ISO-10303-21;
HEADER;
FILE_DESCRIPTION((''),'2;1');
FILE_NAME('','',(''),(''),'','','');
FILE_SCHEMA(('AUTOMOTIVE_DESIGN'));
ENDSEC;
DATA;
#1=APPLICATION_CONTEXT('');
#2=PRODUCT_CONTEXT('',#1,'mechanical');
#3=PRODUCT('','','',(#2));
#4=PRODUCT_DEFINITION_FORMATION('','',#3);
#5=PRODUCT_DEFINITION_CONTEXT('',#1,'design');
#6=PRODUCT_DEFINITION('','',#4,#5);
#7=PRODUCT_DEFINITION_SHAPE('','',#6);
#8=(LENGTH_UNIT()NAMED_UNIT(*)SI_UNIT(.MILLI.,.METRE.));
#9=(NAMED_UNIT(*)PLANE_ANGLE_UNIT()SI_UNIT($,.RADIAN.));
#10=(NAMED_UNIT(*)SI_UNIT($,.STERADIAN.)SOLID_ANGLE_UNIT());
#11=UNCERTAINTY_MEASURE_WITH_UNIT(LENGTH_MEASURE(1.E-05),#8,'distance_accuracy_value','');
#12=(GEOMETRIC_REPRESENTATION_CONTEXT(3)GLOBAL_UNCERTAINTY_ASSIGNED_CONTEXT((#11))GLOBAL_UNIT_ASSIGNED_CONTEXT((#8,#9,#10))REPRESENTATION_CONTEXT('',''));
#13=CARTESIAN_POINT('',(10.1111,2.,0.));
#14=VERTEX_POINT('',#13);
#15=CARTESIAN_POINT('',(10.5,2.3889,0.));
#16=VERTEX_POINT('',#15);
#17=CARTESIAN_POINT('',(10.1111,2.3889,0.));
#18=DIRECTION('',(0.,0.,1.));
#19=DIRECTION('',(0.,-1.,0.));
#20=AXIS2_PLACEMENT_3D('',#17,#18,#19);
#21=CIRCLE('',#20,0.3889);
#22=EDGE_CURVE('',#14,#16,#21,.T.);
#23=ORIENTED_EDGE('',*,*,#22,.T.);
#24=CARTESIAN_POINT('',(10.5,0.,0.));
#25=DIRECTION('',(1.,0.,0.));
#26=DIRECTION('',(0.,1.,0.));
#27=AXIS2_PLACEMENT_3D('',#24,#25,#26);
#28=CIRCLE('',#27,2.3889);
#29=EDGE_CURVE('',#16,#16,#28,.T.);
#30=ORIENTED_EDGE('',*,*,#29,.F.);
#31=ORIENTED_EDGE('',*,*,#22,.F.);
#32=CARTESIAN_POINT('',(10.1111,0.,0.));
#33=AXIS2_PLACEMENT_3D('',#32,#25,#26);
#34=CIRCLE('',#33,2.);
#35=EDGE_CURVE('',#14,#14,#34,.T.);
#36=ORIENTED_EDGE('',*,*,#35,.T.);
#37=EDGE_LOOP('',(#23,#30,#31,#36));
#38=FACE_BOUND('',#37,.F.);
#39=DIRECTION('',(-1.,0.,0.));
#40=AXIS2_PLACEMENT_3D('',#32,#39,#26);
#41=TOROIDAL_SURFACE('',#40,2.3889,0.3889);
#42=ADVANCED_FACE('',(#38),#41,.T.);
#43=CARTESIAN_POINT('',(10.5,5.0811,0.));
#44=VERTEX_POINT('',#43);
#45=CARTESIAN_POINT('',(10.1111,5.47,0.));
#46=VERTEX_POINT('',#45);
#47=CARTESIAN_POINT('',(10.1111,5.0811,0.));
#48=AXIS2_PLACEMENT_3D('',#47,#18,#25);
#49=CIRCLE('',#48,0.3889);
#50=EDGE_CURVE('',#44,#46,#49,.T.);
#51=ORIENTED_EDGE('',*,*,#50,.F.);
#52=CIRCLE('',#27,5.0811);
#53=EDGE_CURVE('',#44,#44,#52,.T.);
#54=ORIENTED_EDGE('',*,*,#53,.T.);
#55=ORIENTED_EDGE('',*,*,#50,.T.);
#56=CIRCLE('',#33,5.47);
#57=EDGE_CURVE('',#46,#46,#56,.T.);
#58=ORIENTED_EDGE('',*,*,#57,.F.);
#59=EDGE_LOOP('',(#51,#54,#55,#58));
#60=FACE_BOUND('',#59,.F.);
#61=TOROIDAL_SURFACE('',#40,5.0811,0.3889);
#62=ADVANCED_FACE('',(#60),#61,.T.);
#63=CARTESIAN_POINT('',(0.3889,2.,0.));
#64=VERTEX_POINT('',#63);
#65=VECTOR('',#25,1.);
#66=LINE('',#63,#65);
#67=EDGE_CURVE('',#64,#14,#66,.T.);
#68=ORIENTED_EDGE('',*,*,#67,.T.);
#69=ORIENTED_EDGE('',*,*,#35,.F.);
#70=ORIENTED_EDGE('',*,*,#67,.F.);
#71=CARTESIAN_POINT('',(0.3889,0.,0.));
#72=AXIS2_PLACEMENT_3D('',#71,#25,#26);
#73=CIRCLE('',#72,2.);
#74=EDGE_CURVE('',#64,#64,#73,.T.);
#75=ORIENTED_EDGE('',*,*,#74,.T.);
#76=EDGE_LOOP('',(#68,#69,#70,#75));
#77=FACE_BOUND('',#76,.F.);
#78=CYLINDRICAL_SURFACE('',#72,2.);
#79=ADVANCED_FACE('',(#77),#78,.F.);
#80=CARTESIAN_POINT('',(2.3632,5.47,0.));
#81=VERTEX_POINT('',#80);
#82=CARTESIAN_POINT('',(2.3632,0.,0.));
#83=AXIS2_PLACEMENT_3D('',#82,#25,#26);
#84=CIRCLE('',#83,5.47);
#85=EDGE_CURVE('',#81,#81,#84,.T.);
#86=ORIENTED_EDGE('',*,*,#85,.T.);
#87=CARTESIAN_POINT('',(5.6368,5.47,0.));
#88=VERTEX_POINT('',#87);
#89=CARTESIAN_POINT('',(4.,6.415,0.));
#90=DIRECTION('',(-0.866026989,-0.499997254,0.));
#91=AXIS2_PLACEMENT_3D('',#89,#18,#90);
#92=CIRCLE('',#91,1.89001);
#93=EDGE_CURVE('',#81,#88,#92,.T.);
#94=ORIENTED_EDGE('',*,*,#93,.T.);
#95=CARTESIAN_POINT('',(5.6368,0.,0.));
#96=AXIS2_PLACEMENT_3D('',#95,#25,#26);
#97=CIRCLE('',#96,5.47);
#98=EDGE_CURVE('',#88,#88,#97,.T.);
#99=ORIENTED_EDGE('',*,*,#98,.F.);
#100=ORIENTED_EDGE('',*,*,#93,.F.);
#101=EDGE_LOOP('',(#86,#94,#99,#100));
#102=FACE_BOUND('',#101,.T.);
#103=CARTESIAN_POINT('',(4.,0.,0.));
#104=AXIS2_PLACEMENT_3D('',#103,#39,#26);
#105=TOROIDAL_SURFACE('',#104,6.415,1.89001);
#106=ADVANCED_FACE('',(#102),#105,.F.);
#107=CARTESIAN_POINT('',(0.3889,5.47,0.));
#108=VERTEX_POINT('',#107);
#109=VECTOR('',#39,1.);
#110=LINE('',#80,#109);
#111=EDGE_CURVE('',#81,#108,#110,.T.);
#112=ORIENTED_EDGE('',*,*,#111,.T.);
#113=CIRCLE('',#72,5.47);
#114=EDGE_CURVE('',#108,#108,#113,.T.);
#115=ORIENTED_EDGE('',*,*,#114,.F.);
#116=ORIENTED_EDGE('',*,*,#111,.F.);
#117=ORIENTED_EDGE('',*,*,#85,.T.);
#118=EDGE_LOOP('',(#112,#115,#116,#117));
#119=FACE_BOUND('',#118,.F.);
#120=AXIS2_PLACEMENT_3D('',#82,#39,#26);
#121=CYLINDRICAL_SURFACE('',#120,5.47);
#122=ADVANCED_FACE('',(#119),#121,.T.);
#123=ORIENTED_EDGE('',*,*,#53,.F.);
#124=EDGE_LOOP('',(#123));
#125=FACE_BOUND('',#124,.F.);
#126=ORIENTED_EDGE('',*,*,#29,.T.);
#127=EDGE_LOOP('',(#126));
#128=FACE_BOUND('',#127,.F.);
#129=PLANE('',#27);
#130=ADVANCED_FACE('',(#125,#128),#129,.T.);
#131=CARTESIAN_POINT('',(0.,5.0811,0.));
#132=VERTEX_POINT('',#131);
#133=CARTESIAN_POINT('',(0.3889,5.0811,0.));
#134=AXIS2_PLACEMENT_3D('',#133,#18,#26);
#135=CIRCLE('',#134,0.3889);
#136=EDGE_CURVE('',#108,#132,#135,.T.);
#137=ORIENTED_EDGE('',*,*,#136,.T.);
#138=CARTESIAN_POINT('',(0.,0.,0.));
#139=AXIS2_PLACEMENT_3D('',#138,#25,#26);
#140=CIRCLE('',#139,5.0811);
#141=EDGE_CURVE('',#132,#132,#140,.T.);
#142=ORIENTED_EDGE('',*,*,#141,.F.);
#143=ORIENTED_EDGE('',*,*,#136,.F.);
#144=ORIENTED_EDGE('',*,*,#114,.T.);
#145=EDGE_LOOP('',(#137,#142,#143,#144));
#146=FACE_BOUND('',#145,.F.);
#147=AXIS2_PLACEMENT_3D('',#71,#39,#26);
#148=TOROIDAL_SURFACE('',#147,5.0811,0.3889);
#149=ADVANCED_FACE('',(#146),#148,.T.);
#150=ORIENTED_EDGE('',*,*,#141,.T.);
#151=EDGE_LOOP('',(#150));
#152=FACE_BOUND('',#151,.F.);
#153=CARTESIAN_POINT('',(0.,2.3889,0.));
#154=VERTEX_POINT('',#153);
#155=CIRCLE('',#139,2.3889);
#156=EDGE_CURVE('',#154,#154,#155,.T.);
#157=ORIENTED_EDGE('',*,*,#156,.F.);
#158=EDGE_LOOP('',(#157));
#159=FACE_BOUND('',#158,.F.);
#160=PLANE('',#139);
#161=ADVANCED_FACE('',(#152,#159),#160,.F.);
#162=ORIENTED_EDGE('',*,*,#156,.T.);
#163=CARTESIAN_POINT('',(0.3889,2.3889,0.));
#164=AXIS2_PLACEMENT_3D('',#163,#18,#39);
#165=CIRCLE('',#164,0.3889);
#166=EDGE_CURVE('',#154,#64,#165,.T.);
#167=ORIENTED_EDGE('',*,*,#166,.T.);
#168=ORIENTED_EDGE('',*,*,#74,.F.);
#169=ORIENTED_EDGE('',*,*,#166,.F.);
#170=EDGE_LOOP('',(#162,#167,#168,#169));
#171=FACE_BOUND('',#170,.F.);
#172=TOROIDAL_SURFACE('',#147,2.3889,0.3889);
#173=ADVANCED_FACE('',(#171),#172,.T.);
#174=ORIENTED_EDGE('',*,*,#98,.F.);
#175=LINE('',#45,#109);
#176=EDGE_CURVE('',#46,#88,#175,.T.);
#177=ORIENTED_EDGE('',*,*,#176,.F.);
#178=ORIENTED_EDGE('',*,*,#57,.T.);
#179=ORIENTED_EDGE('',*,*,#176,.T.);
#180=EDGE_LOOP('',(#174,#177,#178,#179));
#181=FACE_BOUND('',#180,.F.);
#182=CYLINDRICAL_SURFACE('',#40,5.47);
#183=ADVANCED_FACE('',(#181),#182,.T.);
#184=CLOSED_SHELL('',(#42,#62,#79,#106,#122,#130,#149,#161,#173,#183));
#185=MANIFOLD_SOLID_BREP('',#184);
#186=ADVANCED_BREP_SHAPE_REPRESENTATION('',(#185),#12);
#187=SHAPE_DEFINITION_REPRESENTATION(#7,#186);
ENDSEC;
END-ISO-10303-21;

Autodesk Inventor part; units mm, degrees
sketch "Sketch_4" plane through (0, 0, 0) normal (0, 0, 1) x (1, 0, 0)
  line L0 (10.5, 0) -> (0, 0)
  arc A0 (0, 2.3889) -> (0.3889, 2) centre (0.3889, 2.3889) ccw
  line L1 (0.3889, 2) -> (10.1111, 2)
  arc A1 (10.1111, 2) -> (10.5, 2.3889) centre (10.1111, 2.3889) ccw
  line L2 (10.5, 2.3889) -> (10.5, 5.0811)
  arc A2 (10.5, 5.0811) -> (10.1111, 5.47) centre (10.1111, 5.0811) ccw
  line L3 (10.1111, 5.47) -> (5.6368, 5.47)
  arc A3 (2.3632, 5.47) -> (5.6368, 5.47) centre (4, 6.415) ccw
  line L4 (2.3632, 5.47) -> (0.3889, 5.47)
  arc A4 (0.3889, 5.47) -> (0, 5.0811) centre (0.3889, 5.0811) ccw
  line L5 (0, 5.0811) -> (0, 2.3889)
revolve "Revolution1" add sketch "Sketch_4" angle 360 about axis through (10.5, 0, 0) along (1, 0, 0)
ref_plane "Dummy_IR_XY" through (0, 0, 0) normal (1, 0, 0) x (0, 0, -1)
ref_plane "Dummy_IR_YZ" through (0, 0, 0) normal (0, 0, -1) x (0, 1, 0)
ref_plane "Dummy_IR_ZX" through (0, 0, 0) normal (0, 1, 0) x (1, 0, 0)
ref_plane "IR_OR_XY" through (0, 0, 0) normal (1, 0, 0) x (0, 0, -1)
ref_plane "IR_OR_YZ" through (0, 0, 0) normal (0, 0, -1) x (0, 1, 0)
ref_plane "IR_OR_ZX" through (0, 0, 0) normal (0, 1, 0) x (1, 0, 0)
properties part number "040400DR-22-H4W(0_5)3_ir_CPY"
